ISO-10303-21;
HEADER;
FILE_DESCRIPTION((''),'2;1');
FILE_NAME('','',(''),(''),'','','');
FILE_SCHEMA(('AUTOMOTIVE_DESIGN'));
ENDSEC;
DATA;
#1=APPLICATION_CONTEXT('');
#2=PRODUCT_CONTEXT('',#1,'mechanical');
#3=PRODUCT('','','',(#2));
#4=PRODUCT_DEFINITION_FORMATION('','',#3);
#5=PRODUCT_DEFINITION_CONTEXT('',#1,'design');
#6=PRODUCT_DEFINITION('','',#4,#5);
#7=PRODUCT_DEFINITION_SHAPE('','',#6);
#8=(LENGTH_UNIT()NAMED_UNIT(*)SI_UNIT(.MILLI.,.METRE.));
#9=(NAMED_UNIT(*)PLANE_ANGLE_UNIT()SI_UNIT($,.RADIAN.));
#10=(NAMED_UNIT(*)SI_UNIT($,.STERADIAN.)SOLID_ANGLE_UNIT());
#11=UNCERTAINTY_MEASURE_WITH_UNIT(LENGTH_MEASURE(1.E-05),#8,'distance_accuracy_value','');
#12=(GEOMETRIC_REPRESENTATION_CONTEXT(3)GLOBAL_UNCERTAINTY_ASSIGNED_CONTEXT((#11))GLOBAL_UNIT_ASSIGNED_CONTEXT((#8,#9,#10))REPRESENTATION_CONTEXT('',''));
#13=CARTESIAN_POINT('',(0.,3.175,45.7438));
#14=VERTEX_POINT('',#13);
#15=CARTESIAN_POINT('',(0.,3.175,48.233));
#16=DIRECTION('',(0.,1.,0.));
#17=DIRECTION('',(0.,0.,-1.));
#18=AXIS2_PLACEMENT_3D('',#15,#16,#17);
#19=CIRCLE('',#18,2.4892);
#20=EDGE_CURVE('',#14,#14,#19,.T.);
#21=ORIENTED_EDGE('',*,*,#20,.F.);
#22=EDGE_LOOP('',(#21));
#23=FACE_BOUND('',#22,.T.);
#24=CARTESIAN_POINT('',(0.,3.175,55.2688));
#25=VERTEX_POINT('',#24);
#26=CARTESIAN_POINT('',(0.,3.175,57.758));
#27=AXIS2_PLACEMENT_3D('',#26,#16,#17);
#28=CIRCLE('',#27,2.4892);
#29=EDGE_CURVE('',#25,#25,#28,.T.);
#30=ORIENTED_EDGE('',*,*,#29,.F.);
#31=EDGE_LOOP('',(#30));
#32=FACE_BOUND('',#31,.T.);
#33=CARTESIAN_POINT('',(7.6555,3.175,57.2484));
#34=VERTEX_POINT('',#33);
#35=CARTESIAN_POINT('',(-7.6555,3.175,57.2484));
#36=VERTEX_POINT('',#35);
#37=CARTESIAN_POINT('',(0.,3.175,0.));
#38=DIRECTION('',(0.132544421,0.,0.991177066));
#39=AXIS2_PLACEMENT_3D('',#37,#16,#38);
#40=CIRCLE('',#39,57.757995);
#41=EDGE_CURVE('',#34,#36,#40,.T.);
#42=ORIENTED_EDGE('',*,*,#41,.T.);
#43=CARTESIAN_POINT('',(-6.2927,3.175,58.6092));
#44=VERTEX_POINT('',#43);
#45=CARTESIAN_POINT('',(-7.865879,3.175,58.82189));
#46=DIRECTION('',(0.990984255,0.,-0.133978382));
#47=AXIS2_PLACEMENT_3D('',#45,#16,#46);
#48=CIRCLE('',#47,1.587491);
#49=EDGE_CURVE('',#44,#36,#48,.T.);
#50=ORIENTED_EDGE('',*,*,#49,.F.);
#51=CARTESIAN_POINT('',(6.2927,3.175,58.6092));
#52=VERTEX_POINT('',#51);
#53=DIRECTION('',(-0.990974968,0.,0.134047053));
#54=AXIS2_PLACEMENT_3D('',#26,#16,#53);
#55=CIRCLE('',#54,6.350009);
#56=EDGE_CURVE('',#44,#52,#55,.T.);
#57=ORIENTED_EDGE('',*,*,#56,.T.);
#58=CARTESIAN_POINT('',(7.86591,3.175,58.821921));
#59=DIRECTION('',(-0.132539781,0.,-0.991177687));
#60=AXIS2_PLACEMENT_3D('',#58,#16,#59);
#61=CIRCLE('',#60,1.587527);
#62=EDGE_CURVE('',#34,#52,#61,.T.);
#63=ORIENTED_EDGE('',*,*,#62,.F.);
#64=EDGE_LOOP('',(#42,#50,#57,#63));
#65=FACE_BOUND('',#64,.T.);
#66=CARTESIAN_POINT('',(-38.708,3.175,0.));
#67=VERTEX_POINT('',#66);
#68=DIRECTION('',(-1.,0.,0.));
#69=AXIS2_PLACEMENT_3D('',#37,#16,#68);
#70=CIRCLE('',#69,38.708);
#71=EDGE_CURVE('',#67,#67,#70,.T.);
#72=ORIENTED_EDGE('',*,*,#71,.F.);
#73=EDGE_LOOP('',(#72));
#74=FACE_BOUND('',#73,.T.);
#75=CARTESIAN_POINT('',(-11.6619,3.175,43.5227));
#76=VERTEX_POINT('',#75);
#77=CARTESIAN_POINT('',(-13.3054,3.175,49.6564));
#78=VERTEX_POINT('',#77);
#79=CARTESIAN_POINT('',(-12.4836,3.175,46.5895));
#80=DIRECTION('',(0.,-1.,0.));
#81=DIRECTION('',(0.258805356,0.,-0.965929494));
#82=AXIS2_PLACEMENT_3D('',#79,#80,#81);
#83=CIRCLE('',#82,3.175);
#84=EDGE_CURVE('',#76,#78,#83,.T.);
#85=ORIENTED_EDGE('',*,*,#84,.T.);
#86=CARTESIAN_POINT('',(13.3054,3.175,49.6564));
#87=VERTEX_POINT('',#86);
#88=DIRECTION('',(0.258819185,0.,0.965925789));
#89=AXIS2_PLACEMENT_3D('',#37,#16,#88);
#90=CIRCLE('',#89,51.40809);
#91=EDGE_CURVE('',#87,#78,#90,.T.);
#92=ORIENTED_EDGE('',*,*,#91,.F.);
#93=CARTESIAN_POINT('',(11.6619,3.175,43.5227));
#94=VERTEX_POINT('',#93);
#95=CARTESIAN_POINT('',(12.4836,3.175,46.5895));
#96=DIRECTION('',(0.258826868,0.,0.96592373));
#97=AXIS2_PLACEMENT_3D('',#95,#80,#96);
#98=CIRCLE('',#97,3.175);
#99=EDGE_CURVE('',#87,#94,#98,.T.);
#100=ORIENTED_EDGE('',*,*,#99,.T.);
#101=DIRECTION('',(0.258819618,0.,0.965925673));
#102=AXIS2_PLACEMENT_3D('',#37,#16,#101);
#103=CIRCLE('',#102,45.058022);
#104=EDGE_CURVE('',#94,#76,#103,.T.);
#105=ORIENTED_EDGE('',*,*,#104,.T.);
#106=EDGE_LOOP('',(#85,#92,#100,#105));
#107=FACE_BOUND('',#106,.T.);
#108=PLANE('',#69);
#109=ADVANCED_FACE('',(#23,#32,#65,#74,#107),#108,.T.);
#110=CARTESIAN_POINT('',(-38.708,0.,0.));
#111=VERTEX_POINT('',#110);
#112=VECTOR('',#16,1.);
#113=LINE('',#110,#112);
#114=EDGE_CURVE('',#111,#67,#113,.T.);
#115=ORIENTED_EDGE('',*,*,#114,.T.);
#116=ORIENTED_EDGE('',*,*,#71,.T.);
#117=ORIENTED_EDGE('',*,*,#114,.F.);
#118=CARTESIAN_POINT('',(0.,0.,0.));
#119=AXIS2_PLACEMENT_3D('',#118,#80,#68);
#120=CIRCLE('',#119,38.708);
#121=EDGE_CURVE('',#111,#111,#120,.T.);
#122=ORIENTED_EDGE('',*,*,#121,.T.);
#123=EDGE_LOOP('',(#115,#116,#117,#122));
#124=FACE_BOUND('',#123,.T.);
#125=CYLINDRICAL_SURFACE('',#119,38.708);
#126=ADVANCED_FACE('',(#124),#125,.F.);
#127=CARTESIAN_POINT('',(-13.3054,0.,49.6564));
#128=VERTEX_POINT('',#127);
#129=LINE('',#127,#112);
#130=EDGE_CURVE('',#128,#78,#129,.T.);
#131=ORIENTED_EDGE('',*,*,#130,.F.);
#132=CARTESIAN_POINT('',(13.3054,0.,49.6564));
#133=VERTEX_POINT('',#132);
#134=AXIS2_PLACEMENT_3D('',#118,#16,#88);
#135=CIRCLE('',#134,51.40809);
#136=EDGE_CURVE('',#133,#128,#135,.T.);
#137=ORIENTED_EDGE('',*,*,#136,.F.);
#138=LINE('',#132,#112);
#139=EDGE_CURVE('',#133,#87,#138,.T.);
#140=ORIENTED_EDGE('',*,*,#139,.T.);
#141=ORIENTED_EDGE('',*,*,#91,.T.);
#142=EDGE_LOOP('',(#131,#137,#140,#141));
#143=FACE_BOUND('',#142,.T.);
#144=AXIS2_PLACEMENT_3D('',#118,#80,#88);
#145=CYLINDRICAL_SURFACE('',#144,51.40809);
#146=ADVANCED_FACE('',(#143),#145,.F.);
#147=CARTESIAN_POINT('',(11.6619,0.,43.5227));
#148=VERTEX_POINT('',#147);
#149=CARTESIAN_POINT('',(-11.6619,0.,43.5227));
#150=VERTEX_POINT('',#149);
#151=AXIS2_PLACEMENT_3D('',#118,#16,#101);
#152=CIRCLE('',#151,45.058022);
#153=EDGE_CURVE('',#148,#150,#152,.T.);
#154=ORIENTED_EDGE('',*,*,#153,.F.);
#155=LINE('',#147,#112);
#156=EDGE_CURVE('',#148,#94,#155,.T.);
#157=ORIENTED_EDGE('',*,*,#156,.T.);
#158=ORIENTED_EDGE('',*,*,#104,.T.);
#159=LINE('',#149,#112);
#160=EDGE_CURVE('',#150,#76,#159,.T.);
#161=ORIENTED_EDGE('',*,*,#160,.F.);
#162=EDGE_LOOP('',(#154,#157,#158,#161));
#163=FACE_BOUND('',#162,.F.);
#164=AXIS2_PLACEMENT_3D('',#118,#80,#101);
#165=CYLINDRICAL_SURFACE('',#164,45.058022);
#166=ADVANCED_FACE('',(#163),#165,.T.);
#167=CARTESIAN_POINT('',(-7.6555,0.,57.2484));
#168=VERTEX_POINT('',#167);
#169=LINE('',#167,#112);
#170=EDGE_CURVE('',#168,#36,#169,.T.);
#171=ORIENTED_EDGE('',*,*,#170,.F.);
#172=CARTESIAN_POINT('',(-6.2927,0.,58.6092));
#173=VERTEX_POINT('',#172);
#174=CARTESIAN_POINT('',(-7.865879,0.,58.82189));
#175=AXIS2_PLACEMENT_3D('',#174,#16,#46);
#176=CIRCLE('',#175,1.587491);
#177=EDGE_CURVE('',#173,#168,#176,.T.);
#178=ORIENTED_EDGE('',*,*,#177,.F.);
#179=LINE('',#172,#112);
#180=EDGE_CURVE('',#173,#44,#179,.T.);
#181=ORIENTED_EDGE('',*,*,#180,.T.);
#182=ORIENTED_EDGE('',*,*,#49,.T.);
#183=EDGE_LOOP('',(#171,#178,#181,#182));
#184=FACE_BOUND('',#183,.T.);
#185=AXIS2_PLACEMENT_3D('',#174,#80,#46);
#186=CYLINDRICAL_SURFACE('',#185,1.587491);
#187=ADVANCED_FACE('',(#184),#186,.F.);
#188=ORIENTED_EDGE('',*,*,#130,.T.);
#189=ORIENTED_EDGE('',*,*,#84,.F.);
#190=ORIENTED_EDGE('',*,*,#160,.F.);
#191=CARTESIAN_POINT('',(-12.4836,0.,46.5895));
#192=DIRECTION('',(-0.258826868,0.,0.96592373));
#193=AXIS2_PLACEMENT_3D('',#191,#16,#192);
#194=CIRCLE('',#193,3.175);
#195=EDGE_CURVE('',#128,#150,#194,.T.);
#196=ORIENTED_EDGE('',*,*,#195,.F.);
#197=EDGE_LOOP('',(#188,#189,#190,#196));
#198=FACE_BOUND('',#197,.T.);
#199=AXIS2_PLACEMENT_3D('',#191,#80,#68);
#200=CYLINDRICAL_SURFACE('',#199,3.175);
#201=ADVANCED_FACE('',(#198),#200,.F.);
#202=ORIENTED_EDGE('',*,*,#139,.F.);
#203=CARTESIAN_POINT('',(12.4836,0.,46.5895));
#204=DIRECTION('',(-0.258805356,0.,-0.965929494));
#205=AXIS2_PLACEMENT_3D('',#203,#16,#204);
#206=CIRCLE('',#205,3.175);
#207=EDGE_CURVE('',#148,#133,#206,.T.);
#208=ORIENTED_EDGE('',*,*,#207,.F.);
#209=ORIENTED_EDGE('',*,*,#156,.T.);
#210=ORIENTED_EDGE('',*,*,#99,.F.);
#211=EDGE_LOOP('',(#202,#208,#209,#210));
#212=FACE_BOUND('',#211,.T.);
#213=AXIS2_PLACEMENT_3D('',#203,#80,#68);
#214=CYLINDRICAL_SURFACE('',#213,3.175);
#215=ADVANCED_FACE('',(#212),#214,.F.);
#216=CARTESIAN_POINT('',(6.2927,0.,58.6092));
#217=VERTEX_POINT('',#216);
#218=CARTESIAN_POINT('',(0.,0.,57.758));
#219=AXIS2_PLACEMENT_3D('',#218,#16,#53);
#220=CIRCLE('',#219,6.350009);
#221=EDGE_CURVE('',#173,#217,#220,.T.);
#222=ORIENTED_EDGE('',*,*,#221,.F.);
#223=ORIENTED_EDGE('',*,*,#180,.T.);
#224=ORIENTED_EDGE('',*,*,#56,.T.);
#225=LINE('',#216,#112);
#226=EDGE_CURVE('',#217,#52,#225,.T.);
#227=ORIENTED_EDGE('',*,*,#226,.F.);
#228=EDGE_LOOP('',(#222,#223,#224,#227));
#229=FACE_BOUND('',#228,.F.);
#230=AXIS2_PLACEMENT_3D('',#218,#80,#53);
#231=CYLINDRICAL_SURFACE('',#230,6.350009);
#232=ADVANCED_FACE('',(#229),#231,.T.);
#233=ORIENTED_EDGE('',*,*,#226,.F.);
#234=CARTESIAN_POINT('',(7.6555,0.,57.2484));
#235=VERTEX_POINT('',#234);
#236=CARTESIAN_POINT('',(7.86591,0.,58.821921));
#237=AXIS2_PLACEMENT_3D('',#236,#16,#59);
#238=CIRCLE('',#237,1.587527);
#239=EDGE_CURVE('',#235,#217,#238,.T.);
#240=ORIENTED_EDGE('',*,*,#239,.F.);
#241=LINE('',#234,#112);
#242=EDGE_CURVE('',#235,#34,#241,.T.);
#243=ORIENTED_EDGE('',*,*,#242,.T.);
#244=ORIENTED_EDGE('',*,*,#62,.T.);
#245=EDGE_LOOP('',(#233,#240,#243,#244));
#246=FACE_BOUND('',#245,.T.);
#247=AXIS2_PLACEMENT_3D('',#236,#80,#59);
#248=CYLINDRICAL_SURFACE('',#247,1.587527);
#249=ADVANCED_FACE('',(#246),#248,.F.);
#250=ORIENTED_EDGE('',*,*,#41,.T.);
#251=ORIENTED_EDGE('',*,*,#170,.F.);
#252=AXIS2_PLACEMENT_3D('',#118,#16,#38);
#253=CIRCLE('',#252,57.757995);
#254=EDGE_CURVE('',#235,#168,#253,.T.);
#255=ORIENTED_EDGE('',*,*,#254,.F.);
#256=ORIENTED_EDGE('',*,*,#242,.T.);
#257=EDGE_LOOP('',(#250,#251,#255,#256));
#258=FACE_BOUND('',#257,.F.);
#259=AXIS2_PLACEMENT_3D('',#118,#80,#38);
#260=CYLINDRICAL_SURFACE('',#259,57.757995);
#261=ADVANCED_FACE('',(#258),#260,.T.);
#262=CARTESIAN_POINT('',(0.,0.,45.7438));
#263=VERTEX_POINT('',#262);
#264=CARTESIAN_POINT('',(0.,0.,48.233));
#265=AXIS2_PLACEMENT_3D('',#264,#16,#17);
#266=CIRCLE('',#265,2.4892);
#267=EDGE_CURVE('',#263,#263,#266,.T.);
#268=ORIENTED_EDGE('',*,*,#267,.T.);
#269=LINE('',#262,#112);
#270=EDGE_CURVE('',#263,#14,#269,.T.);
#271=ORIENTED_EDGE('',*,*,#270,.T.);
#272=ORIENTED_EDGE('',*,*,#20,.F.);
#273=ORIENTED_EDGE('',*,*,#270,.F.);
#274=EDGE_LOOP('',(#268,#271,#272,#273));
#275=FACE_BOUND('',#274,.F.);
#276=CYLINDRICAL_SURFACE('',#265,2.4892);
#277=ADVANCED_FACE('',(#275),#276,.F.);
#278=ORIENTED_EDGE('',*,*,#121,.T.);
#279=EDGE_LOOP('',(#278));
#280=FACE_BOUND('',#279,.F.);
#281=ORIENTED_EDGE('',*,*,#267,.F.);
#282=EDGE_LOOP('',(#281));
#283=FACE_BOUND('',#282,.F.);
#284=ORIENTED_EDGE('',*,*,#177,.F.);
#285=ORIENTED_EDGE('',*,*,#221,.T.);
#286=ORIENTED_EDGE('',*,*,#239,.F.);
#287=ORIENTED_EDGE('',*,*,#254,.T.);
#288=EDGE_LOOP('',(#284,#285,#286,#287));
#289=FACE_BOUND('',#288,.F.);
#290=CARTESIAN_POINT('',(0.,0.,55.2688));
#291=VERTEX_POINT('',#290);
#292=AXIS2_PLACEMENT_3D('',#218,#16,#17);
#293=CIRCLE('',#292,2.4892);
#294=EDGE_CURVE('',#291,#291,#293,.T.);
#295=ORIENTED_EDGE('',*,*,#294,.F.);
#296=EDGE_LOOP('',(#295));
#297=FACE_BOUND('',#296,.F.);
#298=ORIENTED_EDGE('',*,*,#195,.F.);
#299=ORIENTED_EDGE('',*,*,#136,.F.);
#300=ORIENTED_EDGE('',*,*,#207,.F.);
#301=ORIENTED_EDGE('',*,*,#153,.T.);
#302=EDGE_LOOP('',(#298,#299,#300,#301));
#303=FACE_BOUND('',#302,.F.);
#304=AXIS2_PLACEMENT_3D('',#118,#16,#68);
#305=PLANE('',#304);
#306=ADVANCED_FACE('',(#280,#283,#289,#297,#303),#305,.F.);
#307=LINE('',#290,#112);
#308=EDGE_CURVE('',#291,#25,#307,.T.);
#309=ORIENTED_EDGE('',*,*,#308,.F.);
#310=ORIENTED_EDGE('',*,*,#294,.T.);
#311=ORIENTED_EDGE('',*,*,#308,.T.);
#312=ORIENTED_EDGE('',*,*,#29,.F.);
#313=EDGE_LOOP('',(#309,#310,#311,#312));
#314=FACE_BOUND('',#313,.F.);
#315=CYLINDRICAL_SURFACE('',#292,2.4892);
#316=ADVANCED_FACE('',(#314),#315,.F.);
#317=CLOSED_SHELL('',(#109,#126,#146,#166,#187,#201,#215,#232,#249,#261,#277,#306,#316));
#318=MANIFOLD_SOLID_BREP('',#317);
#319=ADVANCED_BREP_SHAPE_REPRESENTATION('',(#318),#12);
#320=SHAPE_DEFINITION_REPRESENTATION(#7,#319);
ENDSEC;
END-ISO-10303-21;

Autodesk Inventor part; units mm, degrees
ref_plane "YZ Plane" through (0, 0, 0) normal (1, 0, 0) x (0, 1, 0)
ref_plane "XZ Plane" through (0, 0, 0) normal (0, 1, 0) x (-1, 0, 0)
ref_plane "XY Plane" through (0, 0, 0) normal (0, 0, 1) x (1, 0, 0)
sketch "Sketch1" plane through (0, 0, 0) normal (0, 1, 0) x (-1, 0, 0)
  arc A0 (-9.3914, 47.3099) -> (9.3914, 47.3099) centre (0, 0) ccw
  arc A1 (-11.6619, 43.5227) -> (11.6619, 43.5227) centre (0, 0) ccw
  arc A2 (-13.3054, 49.6564) -> (13.3054, 49.6564) centre (0, 0) ccw
  circle A3 centre (0, 0) radius 38.708
  circle A4 centre (12.4836, 46.5895) radius 3.175
  circle A5 centre (-12.4836, 46.5895) radius 3.175
  line L0 (0, 0) -> (12.4836, 46.5895)
  line L1 (0, 0) -> (-12.4836, 46.5895)
  line L2 (0, 0) -> (0, 57.758)
  arc A6 (6.2927, 58.6092) -> (-6.2927, 58.6092) centre (0, 57.758) ccw
  arc A7 (6.2927, 58.6092) -> (7.6555, 57.2484) centre (7.8659, 58.8219) ccw
  arc A8 (-7.6555, 57.2484) -> (-6.2927, 58.6092) centre (-7.8659, 58.8219) ccw
  arc A9 (-7.6555, 57.2484) -> (7.6555, 57.2484) centre (0, 0) ccw
  point P0 (0, 48.233)
  point P1 (11.6619, 43.5227)
  point P2 (-11.6619, 43.5227)
  dimension "d0" = 96.4661
  dimension "d1" = 3.175
  dimension "d2" = 3.175
  dimension "d3" = 6.35
  dimension "d5" = 6.35
  dimension "d6" = 6.35
  dimension "d9" = 15
  dimension "d10" = 15
  dimension "d11" = 12.7
  dimension "d12" = 3.175
  dimension "d13" = 3.175
  dimension "d14" = 6.35
  dimension "d15" = 57.758
  dimension "d16" = 9.525
extrude "Extrusion1" add sketch "Sketch1" along normal blind 3.175 contours L1 A3 L0 A1 | A7 A9 A8 A6
hole "Hole1" at (0, 0, 48.233) at (0, 0, 57.758) direction (0, 1, 0) diameter 4.9784 end through all clearance for "Flat Head Machine Screw (82)" size "#10" standard "Ansi Unified Screw Threads"
equation "\"d0\" = ringDiam"
equation "\"d9\" = stageAngle"
equation "\"d10\" = stageAngle"
equation "\"d11\" = thickness"
equation "\"height\" = 203.2"
equation "\"thickness\" = 12.7"
equation "\"shaftDiam\" = 6.35"
equation "\"shaftSpace\" = 1.5875"
equation "\"stageSpace\" = 2.54"
equation "\"stageAngle\" = 15deg"
equation "\"bearingDiam\" = 9.5504"
equation "\"FlangeDiam\" = 12.7"
equation "\"FlangeDepth\" = 1.5875"
equation "\"smallFilet\" = 0.39687"
equation "\"ringDiam\" = 96.46608"
equation "\"stockHeight\" = 50.8"
equation "\"stockWidth\" = 76.2"
equation "\"stockRad\" = 9.525"
equation "\"stockGuage\" = 3.175"
equation "\"groundActu\" = 304.8"
equation "\"baseWidth\" = 1066.8"
equation "\"baseDepth\" = 254"
equation "\"capThickness\" = 3.175"
equation "\"sup1Len\" = 660.4"
equation "\"sup1Ang\" = 22.619865deg"
equation "\"sup2Len\" = 2079.37366"
equation "\"sup2Ang\" = 8.959949deg"
equation "\"supVertLen\" = 955.13561"
equation "\"supSideLen\" = 1531.12879"
equation "\"supSideAng\" = 19.376933deg"
properties part number "lock ring 2" material "Aluminum 6061"
